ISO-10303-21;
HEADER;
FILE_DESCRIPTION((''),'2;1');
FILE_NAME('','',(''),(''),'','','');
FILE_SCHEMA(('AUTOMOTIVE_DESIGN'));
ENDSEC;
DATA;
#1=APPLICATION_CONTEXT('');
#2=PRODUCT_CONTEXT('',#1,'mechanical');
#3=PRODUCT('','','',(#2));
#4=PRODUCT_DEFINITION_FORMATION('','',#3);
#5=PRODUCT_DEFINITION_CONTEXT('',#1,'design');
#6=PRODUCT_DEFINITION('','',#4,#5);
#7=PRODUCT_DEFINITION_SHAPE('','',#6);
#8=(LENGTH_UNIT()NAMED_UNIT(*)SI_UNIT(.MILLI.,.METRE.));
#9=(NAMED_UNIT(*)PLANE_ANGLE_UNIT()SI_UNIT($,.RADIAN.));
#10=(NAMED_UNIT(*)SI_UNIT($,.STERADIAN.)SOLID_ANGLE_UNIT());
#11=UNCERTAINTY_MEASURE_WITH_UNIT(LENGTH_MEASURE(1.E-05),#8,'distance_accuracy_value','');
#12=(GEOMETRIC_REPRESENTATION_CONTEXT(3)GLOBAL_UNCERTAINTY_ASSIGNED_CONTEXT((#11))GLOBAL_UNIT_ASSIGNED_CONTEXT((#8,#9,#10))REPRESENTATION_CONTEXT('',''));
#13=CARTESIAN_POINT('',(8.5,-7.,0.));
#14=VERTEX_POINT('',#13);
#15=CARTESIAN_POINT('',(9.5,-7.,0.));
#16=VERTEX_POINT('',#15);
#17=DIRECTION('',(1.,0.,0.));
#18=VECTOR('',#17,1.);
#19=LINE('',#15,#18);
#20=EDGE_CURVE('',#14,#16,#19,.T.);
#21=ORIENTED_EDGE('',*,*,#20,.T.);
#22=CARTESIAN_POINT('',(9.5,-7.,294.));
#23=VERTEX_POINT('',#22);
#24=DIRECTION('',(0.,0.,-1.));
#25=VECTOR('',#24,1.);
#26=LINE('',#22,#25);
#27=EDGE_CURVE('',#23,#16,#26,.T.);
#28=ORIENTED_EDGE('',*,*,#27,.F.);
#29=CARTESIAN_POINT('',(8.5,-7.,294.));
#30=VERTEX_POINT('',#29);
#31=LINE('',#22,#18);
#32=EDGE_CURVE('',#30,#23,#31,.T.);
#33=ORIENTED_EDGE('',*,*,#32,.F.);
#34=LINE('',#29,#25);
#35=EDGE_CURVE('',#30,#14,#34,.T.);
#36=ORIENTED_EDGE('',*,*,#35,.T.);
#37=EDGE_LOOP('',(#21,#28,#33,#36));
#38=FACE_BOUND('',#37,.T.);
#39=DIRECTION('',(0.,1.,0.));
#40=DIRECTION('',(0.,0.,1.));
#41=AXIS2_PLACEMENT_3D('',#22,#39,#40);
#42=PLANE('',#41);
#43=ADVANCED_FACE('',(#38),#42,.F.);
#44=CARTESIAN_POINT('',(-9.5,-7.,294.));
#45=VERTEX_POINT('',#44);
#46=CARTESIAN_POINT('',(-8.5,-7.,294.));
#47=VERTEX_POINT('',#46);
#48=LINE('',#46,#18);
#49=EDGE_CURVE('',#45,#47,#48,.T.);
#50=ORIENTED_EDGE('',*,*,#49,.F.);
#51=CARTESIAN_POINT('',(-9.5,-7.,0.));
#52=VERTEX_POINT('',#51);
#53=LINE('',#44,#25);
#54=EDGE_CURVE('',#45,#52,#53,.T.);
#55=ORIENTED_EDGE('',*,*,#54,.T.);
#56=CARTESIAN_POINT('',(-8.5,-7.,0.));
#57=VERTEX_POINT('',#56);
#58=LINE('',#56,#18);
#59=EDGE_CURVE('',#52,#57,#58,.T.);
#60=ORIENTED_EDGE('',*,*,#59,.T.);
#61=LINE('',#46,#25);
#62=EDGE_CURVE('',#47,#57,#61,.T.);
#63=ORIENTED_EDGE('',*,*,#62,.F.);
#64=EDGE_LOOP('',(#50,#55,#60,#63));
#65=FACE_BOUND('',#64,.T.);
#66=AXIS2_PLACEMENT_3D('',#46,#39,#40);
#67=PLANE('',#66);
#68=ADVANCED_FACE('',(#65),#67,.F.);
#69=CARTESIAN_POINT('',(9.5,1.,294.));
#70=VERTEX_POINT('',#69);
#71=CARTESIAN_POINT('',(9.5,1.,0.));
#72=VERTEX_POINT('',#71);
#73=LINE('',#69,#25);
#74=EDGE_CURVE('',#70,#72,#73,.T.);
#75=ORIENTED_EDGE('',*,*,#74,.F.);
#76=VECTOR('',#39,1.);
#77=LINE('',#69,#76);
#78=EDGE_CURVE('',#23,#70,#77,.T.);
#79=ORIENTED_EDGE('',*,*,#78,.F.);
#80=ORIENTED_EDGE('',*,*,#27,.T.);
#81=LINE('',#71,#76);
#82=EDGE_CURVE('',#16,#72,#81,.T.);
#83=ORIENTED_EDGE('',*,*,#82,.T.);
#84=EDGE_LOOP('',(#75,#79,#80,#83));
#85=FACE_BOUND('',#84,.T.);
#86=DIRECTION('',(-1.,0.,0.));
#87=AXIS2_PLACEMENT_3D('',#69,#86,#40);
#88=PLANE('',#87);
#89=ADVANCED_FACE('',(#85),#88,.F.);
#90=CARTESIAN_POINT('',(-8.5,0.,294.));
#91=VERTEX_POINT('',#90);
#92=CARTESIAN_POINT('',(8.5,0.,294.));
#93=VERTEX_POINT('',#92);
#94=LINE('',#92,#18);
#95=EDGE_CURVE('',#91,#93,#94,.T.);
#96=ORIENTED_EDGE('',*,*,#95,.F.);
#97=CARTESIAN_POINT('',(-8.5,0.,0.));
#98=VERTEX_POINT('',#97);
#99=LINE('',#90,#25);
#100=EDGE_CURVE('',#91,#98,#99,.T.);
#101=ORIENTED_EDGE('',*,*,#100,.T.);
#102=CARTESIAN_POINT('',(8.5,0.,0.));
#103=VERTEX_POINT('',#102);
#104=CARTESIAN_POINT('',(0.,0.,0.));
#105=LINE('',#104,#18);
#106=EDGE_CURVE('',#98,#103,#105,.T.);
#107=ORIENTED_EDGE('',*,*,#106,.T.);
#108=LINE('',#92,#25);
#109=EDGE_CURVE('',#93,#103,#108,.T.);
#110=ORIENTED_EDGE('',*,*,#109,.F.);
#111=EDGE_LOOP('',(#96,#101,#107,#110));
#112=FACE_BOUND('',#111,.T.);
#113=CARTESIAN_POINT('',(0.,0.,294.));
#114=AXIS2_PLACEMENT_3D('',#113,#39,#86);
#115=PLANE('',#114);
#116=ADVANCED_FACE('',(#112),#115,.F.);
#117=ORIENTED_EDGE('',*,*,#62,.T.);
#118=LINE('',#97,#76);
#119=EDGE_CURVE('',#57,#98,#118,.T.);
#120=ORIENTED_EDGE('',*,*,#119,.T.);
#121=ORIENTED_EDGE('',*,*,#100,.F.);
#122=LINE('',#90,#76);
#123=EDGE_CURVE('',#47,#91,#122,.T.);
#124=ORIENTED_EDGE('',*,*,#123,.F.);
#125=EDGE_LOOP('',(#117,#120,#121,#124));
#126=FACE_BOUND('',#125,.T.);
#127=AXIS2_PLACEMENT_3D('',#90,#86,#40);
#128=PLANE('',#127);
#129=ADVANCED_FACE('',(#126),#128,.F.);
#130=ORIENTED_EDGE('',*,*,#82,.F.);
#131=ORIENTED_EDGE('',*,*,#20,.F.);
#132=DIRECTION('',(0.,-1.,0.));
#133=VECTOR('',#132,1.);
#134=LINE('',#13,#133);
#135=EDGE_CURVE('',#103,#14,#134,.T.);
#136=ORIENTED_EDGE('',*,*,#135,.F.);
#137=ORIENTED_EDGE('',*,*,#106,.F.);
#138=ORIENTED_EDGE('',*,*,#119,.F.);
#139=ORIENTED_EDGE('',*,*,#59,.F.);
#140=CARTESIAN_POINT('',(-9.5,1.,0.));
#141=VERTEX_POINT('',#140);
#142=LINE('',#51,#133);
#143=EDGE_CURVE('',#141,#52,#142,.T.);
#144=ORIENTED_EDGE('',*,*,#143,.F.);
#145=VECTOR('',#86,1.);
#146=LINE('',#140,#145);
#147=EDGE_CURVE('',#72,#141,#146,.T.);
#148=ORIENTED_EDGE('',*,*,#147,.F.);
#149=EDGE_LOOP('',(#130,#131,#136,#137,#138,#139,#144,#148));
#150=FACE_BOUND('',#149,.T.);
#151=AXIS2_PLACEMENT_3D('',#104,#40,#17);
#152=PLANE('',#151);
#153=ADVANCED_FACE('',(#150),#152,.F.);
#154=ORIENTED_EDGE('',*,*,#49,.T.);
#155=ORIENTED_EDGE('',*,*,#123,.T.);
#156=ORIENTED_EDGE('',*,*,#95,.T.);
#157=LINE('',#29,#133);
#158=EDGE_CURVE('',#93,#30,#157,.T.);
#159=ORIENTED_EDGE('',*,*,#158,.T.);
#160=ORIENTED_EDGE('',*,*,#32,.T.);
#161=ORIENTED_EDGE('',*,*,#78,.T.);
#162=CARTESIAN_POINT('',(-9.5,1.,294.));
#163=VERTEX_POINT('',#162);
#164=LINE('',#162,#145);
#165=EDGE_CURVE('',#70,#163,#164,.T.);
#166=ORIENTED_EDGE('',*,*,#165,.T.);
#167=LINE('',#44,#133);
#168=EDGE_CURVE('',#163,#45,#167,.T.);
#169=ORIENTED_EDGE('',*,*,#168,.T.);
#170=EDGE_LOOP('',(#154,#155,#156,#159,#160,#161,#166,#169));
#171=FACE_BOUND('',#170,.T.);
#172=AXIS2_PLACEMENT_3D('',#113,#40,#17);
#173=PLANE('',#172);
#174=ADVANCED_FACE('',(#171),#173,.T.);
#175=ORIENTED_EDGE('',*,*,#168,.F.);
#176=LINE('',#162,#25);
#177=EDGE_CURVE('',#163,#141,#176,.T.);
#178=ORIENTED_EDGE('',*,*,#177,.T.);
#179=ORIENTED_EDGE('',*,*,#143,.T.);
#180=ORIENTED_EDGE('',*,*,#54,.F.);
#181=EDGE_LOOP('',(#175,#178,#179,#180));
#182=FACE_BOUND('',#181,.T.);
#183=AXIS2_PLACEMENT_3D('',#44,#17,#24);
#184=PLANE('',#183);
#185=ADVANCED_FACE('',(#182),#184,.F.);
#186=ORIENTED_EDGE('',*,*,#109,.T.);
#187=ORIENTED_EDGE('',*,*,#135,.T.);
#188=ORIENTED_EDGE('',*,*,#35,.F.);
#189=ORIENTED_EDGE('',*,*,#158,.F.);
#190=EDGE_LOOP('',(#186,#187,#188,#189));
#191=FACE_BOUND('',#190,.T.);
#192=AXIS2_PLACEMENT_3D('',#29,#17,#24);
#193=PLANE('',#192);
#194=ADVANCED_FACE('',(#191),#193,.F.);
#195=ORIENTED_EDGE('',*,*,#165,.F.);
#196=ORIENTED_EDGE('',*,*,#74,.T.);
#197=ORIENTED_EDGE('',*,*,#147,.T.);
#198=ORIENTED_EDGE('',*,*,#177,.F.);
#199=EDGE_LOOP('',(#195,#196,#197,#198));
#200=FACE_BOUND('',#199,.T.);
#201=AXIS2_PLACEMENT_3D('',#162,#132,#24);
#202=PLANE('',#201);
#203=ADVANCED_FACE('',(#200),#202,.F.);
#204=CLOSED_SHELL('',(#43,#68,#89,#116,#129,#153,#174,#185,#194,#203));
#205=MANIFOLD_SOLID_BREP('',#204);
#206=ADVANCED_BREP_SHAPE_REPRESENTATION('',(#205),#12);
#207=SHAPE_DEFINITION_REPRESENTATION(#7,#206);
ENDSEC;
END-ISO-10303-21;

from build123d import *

# Parameters (mm, degrees)
BOSS_EXTRUDE1_DEPTH = 294


with BuildPart() as part:
    # Sketch1 → Boss-Extrude1 (new body)
    with BuildSketch(Plane.XY):
        Polygon((0, 0), (-8.5, 0), (-8.5, -7), (-9.5, -7), (-9.5, 1), (9.5, 1), (9.5, -7), (8.5, -7), (8.5, 0), align=None)
    extrude(amount=BOSS_EXTRUDE1_DEPTH)


solid = part.part
